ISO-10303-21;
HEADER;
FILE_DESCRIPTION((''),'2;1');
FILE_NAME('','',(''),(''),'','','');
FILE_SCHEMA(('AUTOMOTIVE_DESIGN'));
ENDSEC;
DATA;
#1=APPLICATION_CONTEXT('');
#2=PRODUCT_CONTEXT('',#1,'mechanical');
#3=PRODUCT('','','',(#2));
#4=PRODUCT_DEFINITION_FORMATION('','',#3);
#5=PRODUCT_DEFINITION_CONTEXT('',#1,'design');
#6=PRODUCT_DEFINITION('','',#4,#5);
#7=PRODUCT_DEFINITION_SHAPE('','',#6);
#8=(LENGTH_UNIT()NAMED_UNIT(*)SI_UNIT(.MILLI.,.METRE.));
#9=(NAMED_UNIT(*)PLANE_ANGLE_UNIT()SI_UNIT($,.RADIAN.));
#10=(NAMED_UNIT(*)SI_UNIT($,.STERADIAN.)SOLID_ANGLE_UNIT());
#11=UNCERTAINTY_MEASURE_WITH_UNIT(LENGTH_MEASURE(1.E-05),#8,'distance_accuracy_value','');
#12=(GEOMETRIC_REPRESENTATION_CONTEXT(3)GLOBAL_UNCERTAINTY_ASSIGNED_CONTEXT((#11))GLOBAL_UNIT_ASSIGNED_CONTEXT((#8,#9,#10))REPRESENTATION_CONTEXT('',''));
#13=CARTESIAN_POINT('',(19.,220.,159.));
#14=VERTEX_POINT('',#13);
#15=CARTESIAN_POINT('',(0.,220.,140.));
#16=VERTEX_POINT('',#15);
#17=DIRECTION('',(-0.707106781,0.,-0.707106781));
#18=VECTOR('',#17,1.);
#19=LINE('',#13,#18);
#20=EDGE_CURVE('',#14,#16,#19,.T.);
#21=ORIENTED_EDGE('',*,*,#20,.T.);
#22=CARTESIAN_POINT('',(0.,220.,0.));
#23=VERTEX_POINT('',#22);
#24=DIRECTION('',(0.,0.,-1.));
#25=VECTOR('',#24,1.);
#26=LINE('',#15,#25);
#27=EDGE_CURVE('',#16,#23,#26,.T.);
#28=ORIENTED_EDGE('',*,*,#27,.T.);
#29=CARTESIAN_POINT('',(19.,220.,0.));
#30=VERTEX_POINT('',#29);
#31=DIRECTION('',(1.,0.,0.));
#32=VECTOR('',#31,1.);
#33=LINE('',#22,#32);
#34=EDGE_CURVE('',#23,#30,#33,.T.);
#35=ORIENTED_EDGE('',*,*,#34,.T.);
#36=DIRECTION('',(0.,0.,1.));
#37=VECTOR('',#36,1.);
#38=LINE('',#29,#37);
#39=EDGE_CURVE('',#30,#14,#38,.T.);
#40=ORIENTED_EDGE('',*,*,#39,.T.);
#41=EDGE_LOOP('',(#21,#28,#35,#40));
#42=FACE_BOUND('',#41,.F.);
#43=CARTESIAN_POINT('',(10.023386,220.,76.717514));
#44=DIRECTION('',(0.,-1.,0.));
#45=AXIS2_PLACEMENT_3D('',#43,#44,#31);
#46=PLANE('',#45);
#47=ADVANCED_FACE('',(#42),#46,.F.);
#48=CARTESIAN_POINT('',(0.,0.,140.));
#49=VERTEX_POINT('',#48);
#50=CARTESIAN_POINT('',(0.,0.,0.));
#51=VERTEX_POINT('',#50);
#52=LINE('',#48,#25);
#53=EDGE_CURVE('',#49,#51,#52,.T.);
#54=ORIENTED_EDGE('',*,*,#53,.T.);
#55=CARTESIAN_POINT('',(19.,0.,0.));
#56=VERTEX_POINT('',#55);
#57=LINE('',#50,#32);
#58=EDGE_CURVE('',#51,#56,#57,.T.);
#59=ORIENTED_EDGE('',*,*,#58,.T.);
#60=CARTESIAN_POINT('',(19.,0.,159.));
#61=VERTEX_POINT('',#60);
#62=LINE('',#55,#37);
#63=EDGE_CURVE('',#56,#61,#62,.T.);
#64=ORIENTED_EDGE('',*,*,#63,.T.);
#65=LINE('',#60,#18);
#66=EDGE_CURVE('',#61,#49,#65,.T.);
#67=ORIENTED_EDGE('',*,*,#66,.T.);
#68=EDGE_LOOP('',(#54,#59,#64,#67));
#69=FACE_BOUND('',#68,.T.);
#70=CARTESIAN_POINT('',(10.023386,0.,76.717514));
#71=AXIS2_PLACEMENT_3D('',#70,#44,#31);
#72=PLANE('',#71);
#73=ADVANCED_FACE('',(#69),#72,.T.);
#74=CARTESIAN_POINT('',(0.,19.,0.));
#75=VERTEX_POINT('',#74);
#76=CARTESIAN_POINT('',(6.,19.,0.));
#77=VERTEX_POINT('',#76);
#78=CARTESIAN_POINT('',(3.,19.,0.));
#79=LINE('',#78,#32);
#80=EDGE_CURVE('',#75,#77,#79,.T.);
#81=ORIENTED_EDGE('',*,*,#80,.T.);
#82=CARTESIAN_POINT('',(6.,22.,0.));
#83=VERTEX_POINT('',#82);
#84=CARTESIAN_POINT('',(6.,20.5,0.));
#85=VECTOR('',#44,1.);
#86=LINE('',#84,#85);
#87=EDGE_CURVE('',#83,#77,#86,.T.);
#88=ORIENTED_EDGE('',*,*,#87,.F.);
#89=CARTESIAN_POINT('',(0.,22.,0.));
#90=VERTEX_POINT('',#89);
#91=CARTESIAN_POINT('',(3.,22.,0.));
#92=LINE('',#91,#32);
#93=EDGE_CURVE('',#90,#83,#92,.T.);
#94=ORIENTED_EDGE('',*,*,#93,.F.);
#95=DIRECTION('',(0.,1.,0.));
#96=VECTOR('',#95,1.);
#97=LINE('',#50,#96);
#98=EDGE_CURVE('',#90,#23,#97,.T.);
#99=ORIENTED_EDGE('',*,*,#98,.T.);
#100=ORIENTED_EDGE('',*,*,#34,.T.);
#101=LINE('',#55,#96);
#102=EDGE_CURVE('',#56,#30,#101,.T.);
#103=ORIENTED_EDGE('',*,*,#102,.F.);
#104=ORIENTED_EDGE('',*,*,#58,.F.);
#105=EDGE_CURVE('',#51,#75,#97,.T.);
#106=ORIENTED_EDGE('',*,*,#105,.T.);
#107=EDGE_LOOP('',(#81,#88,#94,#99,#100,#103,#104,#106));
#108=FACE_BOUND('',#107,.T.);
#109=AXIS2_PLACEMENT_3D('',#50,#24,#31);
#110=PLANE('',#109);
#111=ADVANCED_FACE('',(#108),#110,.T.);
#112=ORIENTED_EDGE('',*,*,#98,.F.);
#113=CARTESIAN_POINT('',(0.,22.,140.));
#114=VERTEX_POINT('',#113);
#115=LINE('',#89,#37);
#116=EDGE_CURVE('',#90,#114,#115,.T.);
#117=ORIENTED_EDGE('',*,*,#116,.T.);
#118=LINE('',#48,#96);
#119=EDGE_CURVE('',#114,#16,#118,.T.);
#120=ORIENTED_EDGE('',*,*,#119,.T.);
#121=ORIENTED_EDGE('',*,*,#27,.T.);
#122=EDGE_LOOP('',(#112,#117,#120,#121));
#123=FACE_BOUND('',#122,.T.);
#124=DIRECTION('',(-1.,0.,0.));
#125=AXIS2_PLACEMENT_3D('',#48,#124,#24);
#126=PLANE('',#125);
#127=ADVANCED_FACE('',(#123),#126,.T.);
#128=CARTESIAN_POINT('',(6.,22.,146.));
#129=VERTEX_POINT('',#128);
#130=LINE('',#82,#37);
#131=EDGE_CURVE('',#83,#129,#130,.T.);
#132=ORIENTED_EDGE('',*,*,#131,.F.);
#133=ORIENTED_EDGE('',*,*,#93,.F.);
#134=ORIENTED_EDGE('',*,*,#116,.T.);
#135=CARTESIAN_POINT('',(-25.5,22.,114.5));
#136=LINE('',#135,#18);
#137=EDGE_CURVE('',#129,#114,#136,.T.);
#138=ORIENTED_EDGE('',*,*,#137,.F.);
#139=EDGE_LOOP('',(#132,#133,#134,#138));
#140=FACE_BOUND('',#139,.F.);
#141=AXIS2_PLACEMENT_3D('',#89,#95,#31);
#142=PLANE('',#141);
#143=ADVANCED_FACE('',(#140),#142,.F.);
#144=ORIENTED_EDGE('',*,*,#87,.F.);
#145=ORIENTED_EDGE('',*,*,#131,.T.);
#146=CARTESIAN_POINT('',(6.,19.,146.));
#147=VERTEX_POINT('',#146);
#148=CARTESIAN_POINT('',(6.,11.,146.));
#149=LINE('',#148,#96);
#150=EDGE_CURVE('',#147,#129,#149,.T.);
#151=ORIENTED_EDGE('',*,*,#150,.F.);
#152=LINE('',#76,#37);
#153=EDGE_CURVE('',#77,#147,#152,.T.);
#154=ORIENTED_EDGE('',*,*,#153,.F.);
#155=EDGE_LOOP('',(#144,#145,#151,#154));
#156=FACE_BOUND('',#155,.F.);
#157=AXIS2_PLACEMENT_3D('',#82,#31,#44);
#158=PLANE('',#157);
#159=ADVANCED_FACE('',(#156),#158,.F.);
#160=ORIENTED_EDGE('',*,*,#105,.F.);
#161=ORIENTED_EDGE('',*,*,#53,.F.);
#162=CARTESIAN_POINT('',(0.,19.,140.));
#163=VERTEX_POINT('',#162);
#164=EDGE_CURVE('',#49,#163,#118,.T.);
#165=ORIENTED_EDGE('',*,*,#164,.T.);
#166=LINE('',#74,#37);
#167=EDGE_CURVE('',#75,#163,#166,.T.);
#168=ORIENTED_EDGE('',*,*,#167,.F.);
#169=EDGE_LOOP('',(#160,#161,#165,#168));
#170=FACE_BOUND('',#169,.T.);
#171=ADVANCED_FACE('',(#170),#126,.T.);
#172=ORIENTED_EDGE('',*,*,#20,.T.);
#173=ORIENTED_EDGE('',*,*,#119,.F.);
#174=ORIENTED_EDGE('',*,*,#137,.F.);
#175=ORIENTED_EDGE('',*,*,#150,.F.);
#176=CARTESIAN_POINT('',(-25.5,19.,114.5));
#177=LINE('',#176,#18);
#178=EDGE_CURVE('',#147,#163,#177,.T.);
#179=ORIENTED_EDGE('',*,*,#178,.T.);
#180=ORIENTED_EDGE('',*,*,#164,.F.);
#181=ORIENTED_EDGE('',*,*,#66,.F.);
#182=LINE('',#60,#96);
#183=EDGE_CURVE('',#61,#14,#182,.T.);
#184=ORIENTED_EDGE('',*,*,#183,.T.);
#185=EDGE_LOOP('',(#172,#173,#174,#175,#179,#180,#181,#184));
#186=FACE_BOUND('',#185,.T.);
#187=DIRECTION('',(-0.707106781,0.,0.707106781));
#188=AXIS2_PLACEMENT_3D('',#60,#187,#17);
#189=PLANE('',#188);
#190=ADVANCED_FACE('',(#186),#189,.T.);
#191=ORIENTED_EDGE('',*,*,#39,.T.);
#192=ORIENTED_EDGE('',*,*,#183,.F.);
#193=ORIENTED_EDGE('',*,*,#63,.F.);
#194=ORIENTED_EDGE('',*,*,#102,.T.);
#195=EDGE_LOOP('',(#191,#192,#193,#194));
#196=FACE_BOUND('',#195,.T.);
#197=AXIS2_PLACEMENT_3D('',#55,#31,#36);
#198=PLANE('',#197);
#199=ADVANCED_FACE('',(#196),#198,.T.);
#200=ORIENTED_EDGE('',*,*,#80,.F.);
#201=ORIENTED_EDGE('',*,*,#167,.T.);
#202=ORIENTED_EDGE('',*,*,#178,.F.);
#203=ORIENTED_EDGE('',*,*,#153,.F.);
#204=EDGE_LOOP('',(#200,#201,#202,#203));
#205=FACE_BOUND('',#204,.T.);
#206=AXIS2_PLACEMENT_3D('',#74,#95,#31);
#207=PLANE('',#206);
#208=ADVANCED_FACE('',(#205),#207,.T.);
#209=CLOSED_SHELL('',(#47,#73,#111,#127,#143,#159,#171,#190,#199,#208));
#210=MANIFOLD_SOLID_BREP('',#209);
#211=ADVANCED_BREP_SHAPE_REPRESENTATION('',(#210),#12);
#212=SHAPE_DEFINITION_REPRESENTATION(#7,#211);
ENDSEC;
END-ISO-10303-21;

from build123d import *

# Parameters (mm, degrees)
F1_DEPTH = 220
F2_W     = 6
F2_H     = 3
F3_DEPTH = 159.001


with BuildPart() as f1:
    # F0 (on Front) → F1 (new body)
    with BuildSketch(Plane.XZ):
        Polygon((0, 140), (0, 0), (19, 0), (19, 159), align=None)
    extrude(amount=-F1_DEPTH)

    # F2 (on face) → F3 (cut, through all)
    with BuildSketch(Plane(origin=(0, 0, 0), x_dir=(1, 0, 0), z_dir=(0, 0, -1))):
        with Locations((3, -20.5)):
            Rectangle(F2_W, F2_H)
    extrude(amount=-F3_DEPTH, mode=Mode.SUBTRACT)


solid = f1.part
